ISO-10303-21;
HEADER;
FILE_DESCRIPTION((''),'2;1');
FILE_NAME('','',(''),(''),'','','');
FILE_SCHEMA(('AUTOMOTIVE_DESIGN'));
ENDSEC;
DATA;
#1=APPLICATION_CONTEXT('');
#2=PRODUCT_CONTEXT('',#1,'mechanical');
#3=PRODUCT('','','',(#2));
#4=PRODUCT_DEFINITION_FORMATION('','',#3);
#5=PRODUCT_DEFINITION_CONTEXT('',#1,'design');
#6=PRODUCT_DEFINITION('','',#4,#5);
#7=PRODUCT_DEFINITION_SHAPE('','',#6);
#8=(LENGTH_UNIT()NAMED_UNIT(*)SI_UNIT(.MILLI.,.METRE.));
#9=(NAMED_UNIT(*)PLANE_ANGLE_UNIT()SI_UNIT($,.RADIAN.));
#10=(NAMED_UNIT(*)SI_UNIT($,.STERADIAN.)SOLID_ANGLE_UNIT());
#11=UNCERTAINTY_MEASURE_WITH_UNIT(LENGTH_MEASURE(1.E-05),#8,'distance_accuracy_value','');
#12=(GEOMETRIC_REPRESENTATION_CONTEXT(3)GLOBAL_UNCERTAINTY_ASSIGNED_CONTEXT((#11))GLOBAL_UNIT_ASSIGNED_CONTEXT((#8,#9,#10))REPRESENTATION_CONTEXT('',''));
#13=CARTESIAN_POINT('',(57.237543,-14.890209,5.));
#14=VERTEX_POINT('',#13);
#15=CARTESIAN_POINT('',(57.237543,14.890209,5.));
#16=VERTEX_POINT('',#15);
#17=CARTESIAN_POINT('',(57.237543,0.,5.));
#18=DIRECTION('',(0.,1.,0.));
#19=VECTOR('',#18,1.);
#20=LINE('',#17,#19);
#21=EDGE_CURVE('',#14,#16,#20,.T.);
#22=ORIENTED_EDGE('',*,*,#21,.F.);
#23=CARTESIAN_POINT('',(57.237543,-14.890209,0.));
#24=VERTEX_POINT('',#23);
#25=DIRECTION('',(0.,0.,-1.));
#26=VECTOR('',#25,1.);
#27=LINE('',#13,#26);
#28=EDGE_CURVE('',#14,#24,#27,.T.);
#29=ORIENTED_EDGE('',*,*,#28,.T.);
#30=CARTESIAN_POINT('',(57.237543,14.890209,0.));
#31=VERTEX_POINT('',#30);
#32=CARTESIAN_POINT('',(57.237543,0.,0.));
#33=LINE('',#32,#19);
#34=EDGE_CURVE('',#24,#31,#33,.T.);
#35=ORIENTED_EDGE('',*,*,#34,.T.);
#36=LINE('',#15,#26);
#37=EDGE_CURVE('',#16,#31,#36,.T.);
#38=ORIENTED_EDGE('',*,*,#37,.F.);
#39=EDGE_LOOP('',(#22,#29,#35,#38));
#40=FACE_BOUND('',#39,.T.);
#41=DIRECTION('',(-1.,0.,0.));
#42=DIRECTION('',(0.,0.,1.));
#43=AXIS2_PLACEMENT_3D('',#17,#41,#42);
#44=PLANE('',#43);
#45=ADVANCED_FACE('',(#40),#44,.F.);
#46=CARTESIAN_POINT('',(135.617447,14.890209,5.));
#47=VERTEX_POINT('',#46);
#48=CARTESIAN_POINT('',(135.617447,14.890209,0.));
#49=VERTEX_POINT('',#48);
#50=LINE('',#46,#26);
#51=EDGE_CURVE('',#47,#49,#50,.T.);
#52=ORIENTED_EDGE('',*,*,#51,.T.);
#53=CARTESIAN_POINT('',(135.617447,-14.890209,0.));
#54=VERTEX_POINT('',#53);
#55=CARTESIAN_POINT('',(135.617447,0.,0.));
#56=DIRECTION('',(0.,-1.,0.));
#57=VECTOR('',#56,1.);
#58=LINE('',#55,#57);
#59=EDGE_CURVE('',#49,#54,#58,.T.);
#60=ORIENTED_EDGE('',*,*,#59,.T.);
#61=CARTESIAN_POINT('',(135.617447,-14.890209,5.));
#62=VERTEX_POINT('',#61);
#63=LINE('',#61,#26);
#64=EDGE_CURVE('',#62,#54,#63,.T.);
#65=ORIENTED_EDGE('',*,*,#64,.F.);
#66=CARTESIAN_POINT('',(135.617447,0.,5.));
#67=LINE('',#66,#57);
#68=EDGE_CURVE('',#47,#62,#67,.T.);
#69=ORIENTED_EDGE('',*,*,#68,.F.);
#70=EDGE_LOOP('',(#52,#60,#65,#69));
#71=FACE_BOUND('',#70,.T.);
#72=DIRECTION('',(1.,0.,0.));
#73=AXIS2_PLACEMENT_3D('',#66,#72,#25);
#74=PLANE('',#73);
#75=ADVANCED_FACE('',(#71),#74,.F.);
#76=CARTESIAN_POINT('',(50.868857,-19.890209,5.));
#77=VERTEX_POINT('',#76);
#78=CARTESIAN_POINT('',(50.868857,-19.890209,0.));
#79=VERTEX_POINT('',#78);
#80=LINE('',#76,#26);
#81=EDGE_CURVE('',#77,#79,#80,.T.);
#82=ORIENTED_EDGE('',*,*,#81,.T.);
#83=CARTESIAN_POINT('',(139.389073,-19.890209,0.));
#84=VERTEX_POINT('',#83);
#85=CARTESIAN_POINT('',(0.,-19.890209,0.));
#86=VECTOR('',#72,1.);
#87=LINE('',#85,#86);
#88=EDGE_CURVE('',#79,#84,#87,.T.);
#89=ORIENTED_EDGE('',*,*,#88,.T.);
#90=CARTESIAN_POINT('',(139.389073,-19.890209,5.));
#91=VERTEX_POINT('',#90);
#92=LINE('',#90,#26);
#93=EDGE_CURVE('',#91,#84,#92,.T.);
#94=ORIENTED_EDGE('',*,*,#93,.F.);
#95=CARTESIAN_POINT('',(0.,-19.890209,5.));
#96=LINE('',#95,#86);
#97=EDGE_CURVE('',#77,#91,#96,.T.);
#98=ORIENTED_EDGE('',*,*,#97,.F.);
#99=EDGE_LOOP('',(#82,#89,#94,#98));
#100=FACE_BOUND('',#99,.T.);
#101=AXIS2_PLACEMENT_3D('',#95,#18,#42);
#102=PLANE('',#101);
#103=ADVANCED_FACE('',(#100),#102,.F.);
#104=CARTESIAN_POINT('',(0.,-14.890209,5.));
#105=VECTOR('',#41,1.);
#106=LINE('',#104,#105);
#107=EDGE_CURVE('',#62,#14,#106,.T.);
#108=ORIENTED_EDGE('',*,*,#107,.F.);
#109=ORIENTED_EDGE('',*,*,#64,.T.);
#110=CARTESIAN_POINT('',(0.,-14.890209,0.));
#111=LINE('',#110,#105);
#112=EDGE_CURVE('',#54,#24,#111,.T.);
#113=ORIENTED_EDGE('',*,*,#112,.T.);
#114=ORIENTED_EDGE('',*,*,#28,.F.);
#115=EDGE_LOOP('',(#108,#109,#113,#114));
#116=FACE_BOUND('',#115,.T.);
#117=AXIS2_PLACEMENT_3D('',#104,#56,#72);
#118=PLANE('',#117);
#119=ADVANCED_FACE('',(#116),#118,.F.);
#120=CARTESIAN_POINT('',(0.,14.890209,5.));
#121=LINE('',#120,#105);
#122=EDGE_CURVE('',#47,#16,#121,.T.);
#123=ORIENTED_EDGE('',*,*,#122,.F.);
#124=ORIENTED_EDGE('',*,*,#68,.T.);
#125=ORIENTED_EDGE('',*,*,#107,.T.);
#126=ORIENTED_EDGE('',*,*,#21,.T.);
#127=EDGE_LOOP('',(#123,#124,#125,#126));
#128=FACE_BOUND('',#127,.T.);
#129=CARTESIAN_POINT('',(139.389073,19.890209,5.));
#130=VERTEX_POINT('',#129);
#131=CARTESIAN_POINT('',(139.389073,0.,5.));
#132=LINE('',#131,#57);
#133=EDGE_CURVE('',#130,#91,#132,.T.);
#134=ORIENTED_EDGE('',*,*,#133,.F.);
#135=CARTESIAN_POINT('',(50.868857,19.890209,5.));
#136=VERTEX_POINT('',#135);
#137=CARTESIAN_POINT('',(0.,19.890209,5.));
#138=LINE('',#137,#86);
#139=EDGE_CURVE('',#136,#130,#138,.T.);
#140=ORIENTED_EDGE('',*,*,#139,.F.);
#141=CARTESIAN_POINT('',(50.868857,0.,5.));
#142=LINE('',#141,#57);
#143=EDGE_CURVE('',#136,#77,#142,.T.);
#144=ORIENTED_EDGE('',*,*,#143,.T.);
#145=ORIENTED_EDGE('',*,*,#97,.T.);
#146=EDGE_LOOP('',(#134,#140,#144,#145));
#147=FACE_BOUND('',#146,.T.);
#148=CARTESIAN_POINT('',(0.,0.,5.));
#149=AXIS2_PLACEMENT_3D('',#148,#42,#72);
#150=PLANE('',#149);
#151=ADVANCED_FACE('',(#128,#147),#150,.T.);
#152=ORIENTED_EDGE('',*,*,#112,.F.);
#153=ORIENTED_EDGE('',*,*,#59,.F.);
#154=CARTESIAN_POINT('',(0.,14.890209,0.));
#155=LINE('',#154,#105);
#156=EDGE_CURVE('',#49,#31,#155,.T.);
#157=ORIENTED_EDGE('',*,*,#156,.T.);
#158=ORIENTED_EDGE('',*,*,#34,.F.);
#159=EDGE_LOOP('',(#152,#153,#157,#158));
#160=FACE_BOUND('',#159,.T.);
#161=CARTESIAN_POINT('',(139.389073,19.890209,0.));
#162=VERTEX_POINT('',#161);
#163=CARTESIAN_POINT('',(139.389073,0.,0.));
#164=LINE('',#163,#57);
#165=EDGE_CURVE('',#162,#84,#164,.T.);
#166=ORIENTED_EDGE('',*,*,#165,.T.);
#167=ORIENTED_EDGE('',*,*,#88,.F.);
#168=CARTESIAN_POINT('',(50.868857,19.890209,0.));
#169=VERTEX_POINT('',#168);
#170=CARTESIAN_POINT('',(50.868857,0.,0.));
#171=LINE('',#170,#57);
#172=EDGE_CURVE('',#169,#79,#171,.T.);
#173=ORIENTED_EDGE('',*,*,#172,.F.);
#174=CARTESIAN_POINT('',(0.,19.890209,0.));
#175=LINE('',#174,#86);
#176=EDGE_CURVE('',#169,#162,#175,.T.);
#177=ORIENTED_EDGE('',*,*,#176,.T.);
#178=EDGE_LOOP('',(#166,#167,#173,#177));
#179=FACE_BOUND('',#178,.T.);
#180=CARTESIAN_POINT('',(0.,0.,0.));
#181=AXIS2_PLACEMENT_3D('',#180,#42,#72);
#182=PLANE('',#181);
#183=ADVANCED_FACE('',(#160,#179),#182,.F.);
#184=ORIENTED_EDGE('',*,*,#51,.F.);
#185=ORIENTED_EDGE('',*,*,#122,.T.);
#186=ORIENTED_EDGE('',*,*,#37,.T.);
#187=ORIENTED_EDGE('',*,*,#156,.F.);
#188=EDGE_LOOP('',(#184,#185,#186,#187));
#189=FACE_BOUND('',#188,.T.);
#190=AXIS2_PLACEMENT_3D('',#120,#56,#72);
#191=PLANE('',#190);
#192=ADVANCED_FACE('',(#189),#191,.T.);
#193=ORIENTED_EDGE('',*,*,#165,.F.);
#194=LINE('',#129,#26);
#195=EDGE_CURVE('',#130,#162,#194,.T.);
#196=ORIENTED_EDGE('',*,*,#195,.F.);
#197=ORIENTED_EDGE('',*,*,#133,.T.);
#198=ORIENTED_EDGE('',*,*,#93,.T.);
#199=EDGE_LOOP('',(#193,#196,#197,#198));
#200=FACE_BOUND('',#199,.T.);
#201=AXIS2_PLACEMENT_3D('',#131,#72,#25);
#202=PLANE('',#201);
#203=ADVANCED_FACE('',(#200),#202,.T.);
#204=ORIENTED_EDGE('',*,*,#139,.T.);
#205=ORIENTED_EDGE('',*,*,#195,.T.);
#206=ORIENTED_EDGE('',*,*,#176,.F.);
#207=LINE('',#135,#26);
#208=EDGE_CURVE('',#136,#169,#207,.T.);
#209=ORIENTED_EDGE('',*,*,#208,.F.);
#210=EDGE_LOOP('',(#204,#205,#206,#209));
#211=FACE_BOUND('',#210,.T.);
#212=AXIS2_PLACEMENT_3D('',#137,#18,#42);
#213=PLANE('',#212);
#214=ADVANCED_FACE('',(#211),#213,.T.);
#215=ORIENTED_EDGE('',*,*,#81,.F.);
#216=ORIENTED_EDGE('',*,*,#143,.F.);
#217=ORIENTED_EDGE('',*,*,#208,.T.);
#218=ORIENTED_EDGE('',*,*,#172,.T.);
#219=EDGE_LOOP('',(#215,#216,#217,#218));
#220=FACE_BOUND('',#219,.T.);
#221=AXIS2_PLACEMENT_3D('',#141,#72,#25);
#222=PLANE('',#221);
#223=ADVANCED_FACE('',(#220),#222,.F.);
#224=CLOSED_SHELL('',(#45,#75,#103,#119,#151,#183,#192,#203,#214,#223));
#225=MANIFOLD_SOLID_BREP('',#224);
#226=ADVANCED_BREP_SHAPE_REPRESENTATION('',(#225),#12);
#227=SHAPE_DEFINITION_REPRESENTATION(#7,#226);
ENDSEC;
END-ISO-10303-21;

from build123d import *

# Parameters (mm, degrees)
SKETCH2_W           = 88.520215402
SKETCH2_H           = 39.780418306
SKETCH2_W_2         = 78.37990372
SKETCH2_H_2         = 29.780418306
BOSS_EXTRUDE1_DEPTH = 5


with BuildPart() as part:
    # Sketch2 → Boss-Extrude1 (new body)
    with BuildSketch(Plane.XY):
        with Locations((95.128964829, 0)):
            Rectangle(SKETCH2_W, SKETCH2_H)
        with Locations((96.427494729, 0)):
            Rectangle(SKETCH2_W_2, SKETCH2_H_2, mode=Mode.SUBTRACT)
    extrude(amount=BOSS_EXTRUDE1_DEPTH)


solid = part.part
